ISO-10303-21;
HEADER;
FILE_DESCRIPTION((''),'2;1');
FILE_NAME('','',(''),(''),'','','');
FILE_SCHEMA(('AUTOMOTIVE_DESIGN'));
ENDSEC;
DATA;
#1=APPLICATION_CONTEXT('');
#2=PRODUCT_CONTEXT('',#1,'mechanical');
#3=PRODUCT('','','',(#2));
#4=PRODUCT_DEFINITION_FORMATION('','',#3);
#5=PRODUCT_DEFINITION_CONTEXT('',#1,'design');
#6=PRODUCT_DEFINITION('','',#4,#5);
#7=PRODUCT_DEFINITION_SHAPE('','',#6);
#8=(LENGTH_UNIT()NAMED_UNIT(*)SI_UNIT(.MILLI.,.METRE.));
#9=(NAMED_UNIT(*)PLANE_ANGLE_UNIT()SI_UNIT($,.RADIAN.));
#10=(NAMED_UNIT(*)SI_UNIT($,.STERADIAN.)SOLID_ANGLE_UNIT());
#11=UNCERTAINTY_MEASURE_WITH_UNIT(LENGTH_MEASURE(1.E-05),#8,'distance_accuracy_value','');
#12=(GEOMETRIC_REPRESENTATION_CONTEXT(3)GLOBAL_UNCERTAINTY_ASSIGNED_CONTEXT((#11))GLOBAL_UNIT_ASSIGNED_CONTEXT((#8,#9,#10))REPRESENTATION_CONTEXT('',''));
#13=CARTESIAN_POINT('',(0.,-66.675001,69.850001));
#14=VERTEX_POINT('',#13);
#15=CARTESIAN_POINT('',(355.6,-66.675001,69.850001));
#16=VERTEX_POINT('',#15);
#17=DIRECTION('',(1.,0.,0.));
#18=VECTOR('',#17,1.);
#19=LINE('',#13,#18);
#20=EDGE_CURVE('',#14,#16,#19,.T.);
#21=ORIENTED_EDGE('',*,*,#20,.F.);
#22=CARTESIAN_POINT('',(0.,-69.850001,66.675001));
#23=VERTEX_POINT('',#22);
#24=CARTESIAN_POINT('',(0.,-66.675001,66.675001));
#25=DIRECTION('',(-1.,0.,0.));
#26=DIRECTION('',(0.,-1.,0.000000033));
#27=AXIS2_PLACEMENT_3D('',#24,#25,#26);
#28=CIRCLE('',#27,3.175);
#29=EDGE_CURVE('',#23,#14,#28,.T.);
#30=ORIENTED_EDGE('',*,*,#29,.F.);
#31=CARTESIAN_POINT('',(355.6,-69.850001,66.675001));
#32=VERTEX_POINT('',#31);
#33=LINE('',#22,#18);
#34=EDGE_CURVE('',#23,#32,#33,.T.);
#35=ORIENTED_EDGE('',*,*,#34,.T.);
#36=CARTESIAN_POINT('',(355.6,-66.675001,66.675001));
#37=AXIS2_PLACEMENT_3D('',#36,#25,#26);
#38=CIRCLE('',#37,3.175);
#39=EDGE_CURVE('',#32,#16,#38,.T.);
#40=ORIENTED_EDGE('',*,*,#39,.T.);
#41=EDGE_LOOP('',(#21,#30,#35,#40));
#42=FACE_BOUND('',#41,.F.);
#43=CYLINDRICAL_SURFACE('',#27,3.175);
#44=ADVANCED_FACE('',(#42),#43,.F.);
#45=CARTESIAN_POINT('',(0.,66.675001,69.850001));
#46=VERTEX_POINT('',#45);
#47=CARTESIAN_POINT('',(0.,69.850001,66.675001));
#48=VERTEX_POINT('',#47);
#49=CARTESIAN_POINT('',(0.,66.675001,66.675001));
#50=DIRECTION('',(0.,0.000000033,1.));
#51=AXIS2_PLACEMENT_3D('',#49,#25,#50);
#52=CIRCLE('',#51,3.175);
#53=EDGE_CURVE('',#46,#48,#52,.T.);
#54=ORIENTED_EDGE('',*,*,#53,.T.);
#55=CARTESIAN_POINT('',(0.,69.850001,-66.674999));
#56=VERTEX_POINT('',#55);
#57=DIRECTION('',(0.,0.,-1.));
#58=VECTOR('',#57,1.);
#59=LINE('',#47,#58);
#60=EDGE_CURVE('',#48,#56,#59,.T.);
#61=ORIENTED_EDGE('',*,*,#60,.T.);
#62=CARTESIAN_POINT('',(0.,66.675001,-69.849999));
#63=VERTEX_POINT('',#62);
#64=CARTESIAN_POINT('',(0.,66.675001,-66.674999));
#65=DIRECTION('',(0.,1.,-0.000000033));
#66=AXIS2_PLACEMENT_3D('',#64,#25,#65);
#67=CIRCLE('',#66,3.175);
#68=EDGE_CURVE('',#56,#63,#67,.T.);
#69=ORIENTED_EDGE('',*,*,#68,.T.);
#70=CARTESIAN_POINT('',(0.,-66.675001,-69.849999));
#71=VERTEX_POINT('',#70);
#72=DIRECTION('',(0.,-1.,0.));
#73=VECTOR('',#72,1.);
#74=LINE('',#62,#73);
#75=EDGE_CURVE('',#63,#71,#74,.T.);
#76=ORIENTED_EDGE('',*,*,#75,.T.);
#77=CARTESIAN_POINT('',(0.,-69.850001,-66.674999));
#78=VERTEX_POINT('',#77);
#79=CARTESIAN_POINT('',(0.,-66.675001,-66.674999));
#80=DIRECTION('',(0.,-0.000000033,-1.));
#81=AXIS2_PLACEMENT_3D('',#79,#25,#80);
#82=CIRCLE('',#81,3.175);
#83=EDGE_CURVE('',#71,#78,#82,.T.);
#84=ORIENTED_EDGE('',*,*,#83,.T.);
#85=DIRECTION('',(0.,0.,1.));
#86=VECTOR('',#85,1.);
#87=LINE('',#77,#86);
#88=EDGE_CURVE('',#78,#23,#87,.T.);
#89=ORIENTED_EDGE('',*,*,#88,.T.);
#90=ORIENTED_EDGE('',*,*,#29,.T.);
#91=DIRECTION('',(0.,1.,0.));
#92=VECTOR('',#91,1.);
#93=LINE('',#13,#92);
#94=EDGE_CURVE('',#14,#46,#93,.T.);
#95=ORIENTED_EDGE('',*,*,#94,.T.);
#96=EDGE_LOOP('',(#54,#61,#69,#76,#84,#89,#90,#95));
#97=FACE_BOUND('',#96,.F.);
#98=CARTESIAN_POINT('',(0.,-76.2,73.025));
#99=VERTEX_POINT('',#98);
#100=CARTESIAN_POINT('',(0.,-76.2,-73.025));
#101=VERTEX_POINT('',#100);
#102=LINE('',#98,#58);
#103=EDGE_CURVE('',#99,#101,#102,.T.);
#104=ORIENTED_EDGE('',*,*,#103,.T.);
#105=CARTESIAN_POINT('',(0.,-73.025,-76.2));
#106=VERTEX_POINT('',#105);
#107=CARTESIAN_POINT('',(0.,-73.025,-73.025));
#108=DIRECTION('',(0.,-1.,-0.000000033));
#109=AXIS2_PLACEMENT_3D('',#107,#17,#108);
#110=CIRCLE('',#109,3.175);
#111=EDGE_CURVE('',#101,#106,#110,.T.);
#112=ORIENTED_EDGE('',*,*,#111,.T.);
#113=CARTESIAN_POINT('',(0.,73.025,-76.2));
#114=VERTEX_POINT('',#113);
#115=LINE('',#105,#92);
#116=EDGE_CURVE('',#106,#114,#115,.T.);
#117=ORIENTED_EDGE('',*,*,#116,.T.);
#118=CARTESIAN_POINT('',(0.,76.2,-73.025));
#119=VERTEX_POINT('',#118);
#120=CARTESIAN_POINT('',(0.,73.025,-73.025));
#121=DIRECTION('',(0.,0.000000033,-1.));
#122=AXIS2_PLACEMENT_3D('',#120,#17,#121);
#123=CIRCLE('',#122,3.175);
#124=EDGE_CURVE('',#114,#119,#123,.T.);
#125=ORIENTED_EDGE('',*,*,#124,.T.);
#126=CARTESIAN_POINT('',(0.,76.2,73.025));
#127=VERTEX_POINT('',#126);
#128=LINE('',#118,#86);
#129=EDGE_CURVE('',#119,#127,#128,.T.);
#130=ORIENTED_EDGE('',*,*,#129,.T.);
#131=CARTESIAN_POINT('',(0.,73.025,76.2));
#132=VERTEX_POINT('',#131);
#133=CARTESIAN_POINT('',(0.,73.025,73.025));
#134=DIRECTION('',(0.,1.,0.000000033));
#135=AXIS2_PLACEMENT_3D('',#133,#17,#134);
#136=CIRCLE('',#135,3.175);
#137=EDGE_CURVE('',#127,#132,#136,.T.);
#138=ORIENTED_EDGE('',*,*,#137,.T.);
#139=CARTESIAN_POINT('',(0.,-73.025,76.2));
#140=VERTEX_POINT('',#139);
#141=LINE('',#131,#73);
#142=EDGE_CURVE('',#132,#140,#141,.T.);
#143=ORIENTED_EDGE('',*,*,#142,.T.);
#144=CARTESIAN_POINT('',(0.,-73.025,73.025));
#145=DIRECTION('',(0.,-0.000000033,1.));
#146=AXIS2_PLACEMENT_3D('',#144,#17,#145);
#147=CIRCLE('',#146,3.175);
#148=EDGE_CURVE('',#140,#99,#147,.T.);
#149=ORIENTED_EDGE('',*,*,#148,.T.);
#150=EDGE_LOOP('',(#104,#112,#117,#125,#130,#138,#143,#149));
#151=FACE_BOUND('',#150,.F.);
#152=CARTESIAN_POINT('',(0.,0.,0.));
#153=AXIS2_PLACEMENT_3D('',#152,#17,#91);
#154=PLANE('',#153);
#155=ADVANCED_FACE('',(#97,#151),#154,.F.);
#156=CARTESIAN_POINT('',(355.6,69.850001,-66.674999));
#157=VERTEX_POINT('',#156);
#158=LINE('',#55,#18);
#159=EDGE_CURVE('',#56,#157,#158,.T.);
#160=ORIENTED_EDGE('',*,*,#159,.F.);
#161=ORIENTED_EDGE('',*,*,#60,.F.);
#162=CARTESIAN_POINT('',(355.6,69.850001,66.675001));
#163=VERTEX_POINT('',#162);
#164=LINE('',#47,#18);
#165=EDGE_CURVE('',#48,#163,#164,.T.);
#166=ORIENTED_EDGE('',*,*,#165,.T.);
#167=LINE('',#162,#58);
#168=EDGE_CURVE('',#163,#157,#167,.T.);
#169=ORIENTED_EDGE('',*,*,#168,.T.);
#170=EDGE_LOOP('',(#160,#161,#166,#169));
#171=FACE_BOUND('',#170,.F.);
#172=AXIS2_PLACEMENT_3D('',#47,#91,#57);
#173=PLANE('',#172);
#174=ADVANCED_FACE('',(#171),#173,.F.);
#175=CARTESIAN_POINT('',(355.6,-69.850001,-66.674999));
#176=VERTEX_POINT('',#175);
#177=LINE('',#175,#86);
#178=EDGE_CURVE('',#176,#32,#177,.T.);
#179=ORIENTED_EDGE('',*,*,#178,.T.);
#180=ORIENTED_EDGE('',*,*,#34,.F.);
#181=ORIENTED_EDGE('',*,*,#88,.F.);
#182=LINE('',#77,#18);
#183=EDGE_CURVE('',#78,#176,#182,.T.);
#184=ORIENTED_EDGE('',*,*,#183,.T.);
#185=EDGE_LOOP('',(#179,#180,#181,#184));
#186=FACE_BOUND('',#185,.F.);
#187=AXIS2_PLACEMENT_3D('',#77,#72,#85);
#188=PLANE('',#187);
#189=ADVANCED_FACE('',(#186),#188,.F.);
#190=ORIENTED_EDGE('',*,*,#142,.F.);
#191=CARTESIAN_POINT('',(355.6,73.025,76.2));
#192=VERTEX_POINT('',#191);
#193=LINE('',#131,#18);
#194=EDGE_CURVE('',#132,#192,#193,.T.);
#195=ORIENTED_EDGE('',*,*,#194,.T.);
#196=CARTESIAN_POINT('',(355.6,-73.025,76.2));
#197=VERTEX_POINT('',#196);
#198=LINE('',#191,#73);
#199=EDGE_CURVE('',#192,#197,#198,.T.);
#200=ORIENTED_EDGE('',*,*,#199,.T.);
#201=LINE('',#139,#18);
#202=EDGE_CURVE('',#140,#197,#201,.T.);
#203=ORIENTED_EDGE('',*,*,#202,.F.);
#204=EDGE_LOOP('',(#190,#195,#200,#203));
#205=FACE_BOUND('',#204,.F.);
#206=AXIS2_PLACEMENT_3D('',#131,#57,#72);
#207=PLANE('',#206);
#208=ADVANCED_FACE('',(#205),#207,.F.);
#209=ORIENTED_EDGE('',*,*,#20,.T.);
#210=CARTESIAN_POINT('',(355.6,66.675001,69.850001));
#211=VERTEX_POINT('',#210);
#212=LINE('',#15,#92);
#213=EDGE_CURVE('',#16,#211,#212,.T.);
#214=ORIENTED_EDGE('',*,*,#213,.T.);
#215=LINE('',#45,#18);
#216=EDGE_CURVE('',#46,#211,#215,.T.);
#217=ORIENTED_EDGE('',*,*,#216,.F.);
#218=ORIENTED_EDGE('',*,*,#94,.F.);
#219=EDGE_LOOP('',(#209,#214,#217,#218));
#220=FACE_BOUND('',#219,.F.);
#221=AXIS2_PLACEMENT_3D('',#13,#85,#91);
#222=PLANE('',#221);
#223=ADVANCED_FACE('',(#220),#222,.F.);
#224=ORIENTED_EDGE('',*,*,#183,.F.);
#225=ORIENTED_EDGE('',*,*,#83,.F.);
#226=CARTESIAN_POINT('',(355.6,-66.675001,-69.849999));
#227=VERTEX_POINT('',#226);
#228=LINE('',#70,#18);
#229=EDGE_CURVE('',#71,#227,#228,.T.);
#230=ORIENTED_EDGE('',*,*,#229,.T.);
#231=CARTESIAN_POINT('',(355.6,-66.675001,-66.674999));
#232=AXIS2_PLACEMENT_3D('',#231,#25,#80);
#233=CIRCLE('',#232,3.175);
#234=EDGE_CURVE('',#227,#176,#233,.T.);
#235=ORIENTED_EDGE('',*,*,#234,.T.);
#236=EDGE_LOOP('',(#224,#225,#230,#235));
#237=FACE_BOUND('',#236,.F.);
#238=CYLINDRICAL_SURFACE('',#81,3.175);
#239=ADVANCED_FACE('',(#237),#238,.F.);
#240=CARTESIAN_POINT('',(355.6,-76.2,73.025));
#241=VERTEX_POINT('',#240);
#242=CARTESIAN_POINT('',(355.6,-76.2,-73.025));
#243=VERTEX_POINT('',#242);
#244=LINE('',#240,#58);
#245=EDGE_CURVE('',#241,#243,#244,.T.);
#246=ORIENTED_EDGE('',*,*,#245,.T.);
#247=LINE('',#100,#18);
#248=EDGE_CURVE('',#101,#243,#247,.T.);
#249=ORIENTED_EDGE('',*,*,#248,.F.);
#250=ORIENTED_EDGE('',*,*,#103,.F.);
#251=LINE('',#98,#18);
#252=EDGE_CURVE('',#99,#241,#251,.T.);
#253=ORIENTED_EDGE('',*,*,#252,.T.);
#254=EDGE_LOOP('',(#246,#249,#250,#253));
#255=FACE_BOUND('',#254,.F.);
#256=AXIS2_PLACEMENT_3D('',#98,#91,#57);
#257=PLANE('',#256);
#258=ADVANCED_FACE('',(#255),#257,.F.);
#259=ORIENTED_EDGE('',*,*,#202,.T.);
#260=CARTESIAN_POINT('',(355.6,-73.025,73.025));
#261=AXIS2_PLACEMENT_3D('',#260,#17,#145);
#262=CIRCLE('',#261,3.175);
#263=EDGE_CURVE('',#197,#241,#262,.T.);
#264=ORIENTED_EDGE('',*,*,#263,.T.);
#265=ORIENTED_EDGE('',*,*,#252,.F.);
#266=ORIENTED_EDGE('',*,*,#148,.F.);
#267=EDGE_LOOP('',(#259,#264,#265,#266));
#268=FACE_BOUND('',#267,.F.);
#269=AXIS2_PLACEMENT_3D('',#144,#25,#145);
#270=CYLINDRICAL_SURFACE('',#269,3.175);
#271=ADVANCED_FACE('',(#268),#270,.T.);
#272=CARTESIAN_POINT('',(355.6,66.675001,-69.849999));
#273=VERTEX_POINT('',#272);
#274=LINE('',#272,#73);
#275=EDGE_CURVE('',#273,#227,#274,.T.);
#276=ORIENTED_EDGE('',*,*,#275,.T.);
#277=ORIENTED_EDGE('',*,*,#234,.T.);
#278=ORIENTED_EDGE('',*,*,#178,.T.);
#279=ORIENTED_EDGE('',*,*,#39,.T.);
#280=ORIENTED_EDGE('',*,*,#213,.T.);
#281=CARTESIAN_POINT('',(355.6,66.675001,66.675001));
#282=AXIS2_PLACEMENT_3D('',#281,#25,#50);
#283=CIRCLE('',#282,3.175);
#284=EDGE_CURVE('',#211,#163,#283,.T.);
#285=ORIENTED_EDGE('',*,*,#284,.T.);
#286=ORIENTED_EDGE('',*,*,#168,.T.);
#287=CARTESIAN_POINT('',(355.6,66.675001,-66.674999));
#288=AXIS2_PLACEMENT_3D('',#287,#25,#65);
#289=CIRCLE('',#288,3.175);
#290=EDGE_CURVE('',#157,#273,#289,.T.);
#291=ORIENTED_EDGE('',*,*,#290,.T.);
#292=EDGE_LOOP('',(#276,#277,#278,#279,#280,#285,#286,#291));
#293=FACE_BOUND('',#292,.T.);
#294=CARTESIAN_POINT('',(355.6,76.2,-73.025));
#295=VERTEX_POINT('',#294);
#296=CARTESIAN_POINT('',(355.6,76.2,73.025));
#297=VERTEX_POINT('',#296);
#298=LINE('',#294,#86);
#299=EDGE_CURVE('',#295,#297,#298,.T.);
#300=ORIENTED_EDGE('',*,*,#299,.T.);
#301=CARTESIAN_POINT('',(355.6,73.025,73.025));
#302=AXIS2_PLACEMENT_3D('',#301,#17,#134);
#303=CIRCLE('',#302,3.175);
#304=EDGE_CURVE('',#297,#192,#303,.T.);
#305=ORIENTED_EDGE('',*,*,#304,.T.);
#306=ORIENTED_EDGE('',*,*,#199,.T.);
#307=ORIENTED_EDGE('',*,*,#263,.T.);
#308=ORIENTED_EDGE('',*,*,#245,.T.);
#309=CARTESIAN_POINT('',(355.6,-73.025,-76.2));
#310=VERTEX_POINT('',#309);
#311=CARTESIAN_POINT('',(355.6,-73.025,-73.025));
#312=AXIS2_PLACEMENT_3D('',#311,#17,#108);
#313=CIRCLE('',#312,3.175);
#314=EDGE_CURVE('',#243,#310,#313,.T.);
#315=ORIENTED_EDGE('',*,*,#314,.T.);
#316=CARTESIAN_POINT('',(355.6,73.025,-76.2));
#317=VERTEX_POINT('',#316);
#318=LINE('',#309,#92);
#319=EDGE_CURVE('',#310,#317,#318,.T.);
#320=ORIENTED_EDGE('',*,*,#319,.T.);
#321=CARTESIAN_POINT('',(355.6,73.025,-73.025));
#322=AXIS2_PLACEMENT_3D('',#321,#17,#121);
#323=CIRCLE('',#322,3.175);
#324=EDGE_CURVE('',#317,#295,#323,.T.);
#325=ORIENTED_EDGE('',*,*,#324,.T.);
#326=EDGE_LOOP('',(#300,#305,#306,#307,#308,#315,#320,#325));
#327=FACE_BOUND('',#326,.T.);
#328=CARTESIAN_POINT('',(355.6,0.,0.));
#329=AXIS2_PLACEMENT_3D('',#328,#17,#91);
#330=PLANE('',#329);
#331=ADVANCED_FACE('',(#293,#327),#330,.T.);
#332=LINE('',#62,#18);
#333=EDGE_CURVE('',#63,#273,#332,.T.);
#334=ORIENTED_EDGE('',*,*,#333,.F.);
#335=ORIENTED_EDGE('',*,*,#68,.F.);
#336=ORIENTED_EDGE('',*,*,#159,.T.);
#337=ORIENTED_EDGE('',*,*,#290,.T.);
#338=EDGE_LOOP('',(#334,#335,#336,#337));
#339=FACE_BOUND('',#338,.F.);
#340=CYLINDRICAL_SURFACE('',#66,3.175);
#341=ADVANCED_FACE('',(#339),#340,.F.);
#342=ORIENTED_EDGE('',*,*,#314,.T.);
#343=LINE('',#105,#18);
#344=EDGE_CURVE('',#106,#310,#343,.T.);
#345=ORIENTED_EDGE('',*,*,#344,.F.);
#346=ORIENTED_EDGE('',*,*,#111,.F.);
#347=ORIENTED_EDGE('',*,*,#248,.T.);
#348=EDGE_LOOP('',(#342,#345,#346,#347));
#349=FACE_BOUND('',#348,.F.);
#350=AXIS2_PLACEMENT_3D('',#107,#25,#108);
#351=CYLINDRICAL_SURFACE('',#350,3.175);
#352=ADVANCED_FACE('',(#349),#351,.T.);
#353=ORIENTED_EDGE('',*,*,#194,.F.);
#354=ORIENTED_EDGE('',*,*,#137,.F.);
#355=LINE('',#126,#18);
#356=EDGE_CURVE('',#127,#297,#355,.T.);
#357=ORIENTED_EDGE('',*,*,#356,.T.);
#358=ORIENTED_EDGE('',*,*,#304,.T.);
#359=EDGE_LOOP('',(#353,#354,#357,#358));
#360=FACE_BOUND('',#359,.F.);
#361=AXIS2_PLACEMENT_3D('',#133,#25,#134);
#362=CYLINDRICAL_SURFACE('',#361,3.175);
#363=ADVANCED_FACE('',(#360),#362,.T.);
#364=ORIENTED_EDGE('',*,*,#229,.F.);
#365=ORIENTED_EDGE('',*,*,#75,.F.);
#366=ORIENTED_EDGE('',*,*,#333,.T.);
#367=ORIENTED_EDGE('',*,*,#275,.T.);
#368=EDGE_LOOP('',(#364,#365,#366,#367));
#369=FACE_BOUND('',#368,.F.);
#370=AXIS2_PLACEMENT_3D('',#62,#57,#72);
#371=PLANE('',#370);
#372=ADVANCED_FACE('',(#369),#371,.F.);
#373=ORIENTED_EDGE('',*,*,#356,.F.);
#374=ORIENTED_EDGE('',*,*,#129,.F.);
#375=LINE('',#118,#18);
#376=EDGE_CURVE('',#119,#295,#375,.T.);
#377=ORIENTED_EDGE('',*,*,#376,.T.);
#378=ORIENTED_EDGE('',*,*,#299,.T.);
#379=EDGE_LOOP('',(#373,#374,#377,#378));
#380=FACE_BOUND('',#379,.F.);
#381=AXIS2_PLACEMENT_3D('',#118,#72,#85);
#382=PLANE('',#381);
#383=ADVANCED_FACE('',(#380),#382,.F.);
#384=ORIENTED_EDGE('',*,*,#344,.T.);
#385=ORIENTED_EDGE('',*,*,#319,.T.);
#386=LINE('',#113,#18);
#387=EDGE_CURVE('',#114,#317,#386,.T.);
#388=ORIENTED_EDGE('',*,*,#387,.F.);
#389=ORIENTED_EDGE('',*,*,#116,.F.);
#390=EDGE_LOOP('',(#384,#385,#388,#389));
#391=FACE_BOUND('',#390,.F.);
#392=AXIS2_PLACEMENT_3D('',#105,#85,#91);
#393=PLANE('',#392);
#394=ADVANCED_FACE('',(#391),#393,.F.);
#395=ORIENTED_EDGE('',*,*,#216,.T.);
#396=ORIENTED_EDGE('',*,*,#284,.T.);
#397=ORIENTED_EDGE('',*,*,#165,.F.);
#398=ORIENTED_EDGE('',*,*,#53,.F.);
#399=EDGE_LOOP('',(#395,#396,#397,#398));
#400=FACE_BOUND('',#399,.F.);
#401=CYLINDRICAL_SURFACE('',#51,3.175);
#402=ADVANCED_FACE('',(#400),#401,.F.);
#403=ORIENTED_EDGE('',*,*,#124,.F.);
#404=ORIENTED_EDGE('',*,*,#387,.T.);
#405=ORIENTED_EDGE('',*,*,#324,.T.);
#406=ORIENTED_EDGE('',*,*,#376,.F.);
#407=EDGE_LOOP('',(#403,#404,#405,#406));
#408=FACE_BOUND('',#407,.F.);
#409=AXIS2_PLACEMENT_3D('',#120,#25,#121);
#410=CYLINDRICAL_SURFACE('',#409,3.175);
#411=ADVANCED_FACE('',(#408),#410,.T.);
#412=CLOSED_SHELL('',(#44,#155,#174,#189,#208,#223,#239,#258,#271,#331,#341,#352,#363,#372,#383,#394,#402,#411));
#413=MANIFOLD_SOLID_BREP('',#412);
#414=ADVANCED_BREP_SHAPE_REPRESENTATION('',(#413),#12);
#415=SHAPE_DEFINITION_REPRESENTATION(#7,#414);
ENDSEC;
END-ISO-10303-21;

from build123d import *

# Parameters (mm, degrees)
F1_DEPTH = 355.6


with BuildPart() as f1:
    # F0 (on Right) → F1 (new body)
    with BuildSketch(Plane.YZ):
        with BuildLine():
            Line((73.025, 76.2), (-73.025, 76.2))
            ThreePointArc((-73.025, 76.2), (-75.270064, 75.270064), (-76.2, 73.025))
            Line((-76.2, 73.025), (-76.2, -73.025))
            ThreePointArc((-76.2, -73.025), (-75.270064, -75.270064), (-73.025, -76.2))
            Line((-73.025, -76.2), (73.025, -76.2))
            ThreePointArc((73.025, -76.2), (75.270064, -75.270064), (76.2, -73.025))
            Line((76.2, -73.025), (76.2, 73.025))
            ThreePointArc((76.2, 73.025), (75.270064, 75.270064), (73.025, 76.2))
        make_face()
        with BuildLine():
            Line((-69.850001, -66.674999), (-69.850001, 66.675001))
            ThreePointArc((-69.850001, 66.675001), (-68.920065, 68.920065), (-66.675001, 69.850001))
            Line((-66.675001, 69.850001), (66.675001, 69.850001))
            ThreePointArc((66.675001, 69.850001), (68.920065, 68.920065), (69.850001, 66.675001))
            Line((69.850001, 66.675001), (69.850001, -66.674999))
            ThreePointArc((69.850001, -66.674999), (68.920065, -68.920063), (66.675001, -69.849999))
            Line((66.675001, -69.849999), (-66.675001, -69.849999))
            ThreePointArc((-66.675001, -69.849999), (-68.920065, -68.920063), (-69.850001, -66.674999))
        make_face(mode=Mode.SUBTRACT)
    extrude(amount=F1_DEPTH)


solid = f1.part
